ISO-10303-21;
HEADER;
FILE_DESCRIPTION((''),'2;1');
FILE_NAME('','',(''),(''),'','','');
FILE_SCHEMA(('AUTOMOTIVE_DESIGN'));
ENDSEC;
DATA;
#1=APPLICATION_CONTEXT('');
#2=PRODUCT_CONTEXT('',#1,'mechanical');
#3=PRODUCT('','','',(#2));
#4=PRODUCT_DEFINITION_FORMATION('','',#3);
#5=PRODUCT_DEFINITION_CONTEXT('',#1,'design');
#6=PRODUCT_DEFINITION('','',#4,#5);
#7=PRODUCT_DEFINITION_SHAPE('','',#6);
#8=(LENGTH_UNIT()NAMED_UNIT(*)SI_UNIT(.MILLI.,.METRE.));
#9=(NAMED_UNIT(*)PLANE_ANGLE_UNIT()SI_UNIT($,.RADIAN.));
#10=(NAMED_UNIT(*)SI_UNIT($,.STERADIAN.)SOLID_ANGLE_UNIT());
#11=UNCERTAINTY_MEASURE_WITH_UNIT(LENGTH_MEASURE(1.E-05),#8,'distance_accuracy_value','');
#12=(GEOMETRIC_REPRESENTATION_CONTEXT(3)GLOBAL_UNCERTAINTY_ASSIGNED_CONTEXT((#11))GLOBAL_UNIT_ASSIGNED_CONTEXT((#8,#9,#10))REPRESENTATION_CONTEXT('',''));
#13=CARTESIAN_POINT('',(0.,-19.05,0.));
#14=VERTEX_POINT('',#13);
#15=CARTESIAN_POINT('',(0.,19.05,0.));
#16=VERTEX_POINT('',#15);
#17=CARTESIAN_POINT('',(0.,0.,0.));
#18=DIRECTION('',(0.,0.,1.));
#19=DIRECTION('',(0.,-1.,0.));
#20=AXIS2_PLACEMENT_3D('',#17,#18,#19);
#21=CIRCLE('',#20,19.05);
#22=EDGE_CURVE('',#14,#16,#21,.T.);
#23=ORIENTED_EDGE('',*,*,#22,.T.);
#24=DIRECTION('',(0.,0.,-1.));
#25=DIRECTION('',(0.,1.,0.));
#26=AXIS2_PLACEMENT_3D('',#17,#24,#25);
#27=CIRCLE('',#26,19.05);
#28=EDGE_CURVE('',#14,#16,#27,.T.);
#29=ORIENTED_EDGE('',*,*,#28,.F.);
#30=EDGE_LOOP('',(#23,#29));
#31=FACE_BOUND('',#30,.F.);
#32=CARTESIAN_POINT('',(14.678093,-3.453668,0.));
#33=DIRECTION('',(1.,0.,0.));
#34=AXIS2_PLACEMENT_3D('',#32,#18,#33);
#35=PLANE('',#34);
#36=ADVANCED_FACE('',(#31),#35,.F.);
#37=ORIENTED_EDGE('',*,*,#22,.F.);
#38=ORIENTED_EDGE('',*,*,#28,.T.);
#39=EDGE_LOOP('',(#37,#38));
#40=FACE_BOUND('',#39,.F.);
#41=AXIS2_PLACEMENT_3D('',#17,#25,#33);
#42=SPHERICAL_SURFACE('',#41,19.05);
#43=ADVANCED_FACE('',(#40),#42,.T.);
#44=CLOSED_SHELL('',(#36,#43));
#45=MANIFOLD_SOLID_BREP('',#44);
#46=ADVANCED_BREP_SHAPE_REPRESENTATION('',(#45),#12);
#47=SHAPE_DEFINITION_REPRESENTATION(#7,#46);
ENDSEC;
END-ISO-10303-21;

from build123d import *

# Parameters (mm, degrees)
F2_W     = 29.3561853468
F2_H     = 76.5563324094
F3_DEPTH = 50.8
F4_W     = 76.2685239315
F4_H     = 38.5659746826
F5_DEPTH = 25.4


with BuildPart() as f1:
    # F0 (on Top) → F1 (revolve)
    with BuildSketch(Plane.XY):
        with BuildLine():
            Line((0, 19.05), (0, -19.05))
            ThreePointArc((0, -19.05), (19.05, 0), (0, 19.05))
        make_face()
    revolve(axis=Axis((0, 0, 0), (0, -1, 0)))

    # F2 (on Top) → F3 (cut)
    with BuildSketch(Plane.XY):
        with Locations((14.6780926734, -3.4536682069)):
            Rectangle(F2_W, F2_H)
    extrude(amount=-F3_DEPTH, mode=Mode.SUBTRACT)

    # F4 (on Right) → F5 (cut)
    with BuildSketch(Plane.YZ):
        with Locations((3.5975724459, -19.2829873413)):
            Rectangle(F4_W, F4_H)
    extrude(amount=-F5_DEPTH, mode=Mode.SUBTRACT)


solid = f1.part
